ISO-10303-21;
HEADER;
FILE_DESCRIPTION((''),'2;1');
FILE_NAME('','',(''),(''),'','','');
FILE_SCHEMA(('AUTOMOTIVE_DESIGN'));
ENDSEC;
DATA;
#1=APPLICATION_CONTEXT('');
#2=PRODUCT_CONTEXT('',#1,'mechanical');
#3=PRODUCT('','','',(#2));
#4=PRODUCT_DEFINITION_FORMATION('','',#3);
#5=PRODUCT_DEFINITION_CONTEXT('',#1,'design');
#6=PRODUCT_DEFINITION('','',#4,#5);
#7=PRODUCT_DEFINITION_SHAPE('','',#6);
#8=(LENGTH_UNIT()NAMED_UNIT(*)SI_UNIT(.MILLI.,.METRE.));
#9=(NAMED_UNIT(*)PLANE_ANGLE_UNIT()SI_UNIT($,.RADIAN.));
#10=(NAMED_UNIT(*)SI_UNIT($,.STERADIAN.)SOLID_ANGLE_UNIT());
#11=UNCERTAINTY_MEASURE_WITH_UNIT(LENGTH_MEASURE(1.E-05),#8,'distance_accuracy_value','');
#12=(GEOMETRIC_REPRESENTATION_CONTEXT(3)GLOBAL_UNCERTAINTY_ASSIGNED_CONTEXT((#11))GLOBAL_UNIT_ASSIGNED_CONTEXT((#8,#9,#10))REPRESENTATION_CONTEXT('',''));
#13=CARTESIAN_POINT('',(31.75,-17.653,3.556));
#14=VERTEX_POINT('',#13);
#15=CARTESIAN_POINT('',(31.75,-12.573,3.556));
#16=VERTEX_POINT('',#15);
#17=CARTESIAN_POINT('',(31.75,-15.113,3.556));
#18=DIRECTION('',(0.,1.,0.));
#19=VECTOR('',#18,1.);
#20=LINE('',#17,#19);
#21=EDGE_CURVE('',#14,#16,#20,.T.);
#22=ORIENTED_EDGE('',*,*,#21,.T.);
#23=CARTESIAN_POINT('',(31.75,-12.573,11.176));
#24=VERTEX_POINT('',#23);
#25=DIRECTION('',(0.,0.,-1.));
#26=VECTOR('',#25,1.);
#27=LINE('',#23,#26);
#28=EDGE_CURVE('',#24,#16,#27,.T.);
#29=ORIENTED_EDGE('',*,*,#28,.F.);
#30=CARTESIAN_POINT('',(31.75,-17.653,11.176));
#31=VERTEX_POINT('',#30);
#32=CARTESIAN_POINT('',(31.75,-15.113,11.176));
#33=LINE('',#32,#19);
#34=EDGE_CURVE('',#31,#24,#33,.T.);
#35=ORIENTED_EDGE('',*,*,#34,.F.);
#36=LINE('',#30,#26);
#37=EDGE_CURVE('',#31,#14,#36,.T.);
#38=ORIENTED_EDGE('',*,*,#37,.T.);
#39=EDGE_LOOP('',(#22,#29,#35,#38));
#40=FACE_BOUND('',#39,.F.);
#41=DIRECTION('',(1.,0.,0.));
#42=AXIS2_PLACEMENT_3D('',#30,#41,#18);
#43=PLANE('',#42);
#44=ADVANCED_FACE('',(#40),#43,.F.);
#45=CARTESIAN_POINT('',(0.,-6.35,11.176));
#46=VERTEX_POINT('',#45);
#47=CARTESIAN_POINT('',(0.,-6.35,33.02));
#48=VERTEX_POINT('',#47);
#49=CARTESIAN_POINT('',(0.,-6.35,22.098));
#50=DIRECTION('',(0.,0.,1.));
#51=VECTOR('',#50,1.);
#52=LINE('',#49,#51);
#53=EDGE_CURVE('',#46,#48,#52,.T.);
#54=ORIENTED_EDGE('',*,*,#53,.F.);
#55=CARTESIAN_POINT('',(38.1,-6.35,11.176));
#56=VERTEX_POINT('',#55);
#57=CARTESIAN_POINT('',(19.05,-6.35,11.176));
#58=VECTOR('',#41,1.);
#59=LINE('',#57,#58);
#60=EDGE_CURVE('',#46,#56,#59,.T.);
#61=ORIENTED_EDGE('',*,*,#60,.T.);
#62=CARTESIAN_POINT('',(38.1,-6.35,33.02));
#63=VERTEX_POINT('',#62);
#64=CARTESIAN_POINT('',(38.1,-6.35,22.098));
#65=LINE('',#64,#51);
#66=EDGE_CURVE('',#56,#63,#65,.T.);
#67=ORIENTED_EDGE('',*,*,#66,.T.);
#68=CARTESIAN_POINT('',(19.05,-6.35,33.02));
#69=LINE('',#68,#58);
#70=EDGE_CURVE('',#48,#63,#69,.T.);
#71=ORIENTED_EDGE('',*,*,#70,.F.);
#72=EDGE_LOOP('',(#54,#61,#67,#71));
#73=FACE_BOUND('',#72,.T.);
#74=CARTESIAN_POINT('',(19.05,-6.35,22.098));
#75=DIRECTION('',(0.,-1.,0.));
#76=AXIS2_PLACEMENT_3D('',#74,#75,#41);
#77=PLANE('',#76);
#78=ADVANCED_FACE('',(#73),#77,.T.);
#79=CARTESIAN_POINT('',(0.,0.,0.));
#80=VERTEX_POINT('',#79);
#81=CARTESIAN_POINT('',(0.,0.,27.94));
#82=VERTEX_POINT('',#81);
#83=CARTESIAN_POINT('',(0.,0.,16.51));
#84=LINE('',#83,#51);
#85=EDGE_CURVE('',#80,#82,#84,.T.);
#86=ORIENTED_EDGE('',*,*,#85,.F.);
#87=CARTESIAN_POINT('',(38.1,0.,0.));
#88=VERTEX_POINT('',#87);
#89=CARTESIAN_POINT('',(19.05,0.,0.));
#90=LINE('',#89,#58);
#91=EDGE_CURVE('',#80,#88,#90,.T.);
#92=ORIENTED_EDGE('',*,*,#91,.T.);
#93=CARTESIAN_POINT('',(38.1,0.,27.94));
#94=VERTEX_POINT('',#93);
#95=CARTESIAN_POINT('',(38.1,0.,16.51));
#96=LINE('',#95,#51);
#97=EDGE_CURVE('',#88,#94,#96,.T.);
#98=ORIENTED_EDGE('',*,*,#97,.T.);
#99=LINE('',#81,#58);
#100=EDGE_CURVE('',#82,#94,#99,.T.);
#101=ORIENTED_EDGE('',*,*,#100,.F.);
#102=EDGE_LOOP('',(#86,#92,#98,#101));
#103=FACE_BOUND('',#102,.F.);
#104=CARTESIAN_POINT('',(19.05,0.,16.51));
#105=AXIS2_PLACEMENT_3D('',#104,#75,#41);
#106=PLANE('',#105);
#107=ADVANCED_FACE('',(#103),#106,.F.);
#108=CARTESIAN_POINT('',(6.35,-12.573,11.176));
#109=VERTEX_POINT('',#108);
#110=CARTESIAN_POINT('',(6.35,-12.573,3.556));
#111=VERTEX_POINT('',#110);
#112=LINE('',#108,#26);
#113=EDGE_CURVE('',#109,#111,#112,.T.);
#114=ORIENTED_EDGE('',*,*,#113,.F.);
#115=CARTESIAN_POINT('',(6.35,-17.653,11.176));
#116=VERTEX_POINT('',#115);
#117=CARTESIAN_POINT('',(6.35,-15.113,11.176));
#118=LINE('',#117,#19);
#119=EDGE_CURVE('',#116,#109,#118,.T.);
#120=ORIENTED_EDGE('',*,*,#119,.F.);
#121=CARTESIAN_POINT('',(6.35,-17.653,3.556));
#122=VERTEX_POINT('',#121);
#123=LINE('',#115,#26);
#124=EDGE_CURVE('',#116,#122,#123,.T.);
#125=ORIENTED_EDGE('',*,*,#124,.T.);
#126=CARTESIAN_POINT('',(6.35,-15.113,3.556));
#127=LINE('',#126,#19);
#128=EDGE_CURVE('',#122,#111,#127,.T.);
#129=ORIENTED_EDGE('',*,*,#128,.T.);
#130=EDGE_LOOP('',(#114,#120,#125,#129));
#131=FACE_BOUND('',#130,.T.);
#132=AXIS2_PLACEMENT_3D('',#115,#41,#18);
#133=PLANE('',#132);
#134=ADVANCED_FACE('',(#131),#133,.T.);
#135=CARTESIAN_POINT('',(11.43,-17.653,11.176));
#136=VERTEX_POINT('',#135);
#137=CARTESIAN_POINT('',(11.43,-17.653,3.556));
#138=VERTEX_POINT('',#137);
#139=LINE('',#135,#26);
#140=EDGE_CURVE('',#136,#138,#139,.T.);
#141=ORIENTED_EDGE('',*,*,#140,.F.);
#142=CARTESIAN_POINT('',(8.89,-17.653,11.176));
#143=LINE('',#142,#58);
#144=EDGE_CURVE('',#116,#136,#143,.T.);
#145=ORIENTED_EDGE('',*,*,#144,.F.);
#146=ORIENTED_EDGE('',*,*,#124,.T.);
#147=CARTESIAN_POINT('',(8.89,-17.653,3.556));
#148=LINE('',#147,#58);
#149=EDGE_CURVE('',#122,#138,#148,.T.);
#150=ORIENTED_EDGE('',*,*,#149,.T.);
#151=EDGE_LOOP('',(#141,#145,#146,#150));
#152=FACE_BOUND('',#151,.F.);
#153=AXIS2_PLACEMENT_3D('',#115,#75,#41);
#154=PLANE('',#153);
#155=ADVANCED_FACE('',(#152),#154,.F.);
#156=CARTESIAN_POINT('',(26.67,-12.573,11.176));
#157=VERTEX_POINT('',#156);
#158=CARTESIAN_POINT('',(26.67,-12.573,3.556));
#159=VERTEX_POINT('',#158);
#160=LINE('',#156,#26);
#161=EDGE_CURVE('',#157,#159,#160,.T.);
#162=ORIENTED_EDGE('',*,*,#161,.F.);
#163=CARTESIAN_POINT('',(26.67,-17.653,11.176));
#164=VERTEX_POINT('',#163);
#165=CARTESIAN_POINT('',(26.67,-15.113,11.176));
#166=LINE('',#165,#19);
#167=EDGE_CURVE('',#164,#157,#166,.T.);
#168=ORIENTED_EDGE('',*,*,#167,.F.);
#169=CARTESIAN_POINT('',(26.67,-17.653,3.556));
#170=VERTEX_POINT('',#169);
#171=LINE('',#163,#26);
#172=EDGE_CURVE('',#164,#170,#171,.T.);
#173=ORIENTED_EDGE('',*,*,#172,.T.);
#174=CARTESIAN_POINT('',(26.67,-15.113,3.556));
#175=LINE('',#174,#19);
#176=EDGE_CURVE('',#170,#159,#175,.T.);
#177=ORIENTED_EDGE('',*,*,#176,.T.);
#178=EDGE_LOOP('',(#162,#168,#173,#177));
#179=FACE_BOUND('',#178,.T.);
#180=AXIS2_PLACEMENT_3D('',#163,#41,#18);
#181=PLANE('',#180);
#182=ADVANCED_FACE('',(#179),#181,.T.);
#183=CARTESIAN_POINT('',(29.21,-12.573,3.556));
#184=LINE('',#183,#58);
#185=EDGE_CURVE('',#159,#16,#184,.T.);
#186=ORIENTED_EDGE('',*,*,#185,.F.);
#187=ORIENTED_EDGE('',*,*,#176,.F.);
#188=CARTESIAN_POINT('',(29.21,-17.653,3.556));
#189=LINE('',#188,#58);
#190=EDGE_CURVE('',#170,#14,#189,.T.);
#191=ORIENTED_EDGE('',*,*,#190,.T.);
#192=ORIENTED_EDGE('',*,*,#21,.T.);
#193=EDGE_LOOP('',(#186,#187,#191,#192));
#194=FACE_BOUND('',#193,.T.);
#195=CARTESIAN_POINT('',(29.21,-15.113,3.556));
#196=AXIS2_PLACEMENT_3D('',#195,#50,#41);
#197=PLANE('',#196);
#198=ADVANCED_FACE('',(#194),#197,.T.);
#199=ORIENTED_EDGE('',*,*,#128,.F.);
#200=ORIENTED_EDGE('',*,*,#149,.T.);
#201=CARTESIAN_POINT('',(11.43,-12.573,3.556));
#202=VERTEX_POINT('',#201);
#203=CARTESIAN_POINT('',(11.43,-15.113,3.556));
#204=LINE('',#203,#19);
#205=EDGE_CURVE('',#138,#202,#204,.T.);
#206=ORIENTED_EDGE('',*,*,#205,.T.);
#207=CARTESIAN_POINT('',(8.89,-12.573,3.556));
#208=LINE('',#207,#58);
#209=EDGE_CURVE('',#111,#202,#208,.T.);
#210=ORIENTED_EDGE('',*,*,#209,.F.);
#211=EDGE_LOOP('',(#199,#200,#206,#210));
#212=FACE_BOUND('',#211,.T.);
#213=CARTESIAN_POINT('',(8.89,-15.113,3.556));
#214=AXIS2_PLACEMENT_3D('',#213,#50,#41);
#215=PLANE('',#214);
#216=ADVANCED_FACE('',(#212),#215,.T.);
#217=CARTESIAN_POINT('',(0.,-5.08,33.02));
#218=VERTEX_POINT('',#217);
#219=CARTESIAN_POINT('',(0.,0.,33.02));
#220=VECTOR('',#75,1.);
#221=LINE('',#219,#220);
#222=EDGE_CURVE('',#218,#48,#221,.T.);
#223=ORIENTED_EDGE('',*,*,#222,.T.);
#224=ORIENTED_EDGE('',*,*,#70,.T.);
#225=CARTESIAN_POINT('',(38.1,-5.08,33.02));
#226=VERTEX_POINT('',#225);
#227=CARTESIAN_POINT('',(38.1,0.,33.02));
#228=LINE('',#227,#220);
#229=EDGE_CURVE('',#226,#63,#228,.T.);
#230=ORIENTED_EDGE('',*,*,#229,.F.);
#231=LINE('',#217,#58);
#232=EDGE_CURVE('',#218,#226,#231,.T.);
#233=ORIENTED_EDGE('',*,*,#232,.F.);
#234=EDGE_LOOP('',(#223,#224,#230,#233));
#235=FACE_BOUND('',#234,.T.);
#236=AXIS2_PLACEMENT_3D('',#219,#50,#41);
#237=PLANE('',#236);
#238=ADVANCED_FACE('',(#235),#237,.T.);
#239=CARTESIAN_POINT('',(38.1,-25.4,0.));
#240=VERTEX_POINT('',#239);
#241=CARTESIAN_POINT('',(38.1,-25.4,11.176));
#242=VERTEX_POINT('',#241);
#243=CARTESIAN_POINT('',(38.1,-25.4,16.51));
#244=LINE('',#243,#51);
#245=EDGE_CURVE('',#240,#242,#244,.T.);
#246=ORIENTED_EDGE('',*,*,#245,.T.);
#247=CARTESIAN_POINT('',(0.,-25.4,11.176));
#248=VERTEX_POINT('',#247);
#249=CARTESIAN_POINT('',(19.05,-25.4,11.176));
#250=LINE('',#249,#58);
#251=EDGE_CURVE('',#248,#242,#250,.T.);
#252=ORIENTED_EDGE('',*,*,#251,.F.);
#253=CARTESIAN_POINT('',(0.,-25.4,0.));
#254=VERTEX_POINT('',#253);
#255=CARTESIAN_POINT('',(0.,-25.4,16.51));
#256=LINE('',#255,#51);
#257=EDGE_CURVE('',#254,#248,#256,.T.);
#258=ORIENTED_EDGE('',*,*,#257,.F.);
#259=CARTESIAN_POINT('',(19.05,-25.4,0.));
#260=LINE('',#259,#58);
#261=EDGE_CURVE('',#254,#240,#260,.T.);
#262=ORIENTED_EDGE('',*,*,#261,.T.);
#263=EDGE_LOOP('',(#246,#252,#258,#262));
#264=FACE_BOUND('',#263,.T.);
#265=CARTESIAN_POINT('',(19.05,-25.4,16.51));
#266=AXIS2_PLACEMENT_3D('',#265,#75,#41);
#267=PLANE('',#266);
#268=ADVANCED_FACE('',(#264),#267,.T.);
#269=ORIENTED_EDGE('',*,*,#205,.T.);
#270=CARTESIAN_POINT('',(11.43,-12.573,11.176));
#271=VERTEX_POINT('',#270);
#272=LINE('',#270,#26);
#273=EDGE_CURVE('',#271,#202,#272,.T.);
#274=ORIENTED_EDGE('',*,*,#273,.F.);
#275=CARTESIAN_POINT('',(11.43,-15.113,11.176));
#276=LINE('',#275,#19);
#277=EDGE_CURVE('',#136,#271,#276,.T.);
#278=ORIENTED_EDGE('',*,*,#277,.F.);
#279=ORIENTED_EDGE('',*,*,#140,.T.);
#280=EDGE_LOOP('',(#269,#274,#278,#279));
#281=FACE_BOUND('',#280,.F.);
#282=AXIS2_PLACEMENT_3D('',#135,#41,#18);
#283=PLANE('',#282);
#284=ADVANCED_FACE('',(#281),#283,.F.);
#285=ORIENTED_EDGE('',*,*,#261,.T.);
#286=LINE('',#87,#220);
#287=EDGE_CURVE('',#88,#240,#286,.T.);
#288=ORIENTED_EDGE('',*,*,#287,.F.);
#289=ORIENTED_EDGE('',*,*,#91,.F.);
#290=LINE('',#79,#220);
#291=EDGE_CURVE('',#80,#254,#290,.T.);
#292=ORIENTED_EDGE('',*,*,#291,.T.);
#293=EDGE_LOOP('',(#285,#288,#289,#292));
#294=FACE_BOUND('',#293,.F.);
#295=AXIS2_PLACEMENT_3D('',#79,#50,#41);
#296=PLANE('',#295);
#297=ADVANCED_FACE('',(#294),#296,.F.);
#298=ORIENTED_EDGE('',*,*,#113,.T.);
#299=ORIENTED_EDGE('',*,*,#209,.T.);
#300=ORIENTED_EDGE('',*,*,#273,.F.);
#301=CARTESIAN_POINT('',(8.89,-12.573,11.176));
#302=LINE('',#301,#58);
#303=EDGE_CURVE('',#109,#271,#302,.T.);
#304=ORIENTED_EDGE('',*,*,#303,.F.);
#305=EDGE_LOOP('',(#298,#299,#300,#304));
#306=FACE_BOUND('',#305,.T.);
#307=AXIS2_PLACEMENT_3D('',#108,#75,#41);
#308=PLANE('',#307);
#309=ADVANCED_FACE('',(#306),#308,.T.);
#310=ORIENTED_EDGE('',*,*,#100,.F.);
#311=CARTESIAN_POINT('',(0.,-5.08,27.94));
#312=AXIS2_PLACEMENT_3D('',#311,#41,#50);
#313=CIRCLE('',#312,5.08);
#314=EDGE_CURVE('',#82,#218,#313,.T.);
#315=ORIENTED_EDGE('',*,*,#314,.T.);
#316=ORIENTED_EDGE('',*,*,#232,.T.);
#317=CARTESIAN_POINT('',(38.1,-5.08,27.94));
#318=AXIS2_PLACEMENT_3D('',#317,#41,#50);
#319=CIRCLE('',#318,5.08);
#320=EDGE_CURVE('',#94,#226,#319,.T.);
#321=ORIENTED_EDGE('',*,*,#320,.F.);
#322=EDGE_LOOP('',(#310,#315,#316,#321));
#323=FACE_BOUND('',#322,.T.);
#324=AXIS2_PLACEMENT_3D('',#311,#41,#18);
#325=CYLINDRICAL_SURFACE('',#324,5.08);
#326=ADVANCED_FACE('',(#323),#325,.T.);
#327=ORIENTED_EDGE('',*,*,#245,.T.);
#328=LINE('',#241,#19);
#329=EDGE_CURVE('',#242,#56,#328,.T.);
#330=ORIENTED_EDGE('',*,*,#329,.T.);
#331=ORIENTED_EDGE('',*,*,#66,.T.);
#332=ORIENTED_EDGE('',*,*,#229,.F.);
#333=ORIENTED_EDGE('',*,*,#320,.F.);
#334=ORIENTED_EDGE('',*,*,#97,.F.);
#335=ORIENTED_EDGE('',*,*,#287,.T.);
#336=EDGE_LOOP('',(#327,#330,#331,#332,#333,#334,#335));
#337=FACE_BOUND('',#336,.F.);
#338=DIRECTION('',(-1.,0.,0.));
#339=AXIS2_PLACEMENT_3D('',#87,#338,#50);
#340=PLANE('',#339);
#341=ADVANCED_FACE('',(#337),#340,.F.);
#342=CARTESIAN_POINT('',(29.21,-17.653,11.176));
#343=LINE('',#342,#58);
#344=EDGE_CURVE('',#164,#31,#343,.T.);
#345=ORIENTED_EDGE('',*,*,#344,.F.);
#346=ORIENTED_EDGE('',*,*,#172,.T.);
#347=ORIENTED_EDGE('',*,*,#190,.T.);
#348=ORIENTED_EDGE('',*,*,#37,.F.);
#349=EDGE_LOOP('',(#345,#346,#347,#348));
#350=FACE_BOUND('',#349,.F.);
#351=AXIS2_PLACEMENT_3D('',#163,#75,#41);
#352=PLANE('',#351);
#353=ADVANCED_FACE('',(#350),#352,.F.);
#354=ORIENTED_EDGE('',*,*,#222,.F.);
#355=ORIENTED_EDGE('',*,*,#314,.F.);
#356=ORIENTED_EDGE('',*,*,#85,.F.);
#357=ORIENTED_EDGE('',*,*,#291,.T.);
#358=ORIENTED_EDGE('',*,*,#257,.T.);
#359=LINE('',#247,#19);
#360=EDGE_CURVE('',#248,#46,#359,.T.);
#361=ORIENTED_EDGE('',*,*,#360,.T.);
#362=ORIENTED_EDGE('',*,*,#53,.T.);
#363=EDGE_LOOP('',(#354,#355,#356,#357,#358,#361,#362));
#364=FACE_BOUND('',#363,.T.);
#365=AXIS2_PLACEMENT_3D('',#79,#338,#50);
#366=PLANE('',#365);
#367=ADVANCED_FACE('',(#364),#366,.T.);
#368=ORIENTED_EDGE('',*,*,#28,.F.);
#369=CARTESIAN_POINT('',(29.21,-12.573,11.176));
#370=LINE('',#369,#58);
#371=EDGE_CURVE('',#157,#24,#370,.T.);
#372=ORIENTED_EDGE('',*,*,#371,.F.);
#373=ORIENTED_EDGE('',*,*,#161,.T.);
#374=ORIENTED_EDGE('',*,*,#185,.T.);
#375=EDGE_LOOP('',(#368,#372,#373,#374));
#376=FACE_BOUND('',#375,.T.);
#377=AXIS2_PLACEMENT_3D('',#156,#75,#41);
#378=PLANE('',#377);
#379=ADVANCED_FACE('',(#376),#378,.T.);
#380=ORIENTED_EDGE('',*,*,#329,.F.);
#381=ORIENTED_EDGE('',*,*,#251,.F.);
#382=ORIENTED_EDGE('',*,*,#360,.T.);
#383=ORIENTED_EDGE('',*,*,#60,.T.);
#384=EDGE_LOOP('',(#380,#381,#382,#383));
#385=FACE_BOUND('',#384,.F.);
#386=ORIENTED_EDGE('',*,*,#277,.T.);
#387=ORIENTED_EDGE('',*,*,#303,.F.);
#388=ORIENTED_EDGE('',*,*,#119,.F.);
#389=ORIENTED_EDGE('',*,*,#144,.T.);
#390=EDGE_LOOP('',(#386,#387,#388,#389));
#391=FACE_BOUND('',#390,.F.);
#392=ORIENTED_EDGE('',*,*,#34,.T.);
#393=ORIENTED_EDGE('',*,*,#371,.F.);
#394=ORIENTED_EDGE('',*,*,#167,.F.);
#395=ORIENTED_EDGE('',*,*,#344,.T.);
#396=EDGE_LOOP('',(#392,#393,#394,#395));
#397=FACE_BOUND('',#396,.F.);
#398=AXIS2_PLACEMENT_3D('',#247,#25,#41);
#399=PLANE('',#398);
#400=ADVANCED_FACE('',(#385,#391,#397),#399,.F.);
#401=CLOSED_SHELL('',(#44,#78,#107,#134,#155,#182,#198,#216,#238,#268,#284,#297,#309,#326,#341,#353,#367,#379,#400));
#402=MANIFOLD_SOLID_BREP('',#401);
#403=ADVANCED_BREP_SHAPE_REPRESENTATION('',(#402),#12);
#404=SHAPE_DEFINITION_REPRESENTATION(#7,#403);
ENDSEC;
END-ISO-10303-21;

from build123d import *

# Parameters (mm, degrees)
F0_W     = 38.1
F0_H     = 33.02
F1_DEPTH = 25.4
F2_W     = 38.1
F2_H     = 21.844
F3_DEPTH = 19.05
F4_W     = 5.08
F4_H     = 5.08
F5_DEPTH = 7.62
F6_R     = 5.08


with BuildPart() as f1:
    # F0 (on Front) → F1 (new body)
    with BuildSketch(Plane.XZ):
        with Locations((19.05, 16.51)):
            Rectangle(F0_W, F0_H)
    extrude(amount=F1_DEPTH)

    # F2 (on face) → F3 (cut)
    with BuildSketch(Plane.XZ.offset(25.4)):
        with Locations((19.05, 22.098)):
            Rectangle(F2_W, F2_H)
    extrude(amount=-F3_DEPTH, mode=Mode.SUBTRACT)

    # F4 (on face) → F5 (cut)
    with BuildSketch(Plane.XY.offset(11.176)):
        with Locations((8.89, -15.113)):
            Rectangle(F4_W, F4_H)
        with Locations((29.21, -15.113)):
            Rectangle(F4_W, F4_H)
    extrude(amount=-F5_DEPTH, mode=Mode.SUBTRACT)

    # F6
    f6_edges = [f1.edges().sort_by_distance(p)[0] for p in [
        (19.05, 0, 33.02),
    ]]
    fillet(f6_edges, radius=F6_R)


solid = f1.part
